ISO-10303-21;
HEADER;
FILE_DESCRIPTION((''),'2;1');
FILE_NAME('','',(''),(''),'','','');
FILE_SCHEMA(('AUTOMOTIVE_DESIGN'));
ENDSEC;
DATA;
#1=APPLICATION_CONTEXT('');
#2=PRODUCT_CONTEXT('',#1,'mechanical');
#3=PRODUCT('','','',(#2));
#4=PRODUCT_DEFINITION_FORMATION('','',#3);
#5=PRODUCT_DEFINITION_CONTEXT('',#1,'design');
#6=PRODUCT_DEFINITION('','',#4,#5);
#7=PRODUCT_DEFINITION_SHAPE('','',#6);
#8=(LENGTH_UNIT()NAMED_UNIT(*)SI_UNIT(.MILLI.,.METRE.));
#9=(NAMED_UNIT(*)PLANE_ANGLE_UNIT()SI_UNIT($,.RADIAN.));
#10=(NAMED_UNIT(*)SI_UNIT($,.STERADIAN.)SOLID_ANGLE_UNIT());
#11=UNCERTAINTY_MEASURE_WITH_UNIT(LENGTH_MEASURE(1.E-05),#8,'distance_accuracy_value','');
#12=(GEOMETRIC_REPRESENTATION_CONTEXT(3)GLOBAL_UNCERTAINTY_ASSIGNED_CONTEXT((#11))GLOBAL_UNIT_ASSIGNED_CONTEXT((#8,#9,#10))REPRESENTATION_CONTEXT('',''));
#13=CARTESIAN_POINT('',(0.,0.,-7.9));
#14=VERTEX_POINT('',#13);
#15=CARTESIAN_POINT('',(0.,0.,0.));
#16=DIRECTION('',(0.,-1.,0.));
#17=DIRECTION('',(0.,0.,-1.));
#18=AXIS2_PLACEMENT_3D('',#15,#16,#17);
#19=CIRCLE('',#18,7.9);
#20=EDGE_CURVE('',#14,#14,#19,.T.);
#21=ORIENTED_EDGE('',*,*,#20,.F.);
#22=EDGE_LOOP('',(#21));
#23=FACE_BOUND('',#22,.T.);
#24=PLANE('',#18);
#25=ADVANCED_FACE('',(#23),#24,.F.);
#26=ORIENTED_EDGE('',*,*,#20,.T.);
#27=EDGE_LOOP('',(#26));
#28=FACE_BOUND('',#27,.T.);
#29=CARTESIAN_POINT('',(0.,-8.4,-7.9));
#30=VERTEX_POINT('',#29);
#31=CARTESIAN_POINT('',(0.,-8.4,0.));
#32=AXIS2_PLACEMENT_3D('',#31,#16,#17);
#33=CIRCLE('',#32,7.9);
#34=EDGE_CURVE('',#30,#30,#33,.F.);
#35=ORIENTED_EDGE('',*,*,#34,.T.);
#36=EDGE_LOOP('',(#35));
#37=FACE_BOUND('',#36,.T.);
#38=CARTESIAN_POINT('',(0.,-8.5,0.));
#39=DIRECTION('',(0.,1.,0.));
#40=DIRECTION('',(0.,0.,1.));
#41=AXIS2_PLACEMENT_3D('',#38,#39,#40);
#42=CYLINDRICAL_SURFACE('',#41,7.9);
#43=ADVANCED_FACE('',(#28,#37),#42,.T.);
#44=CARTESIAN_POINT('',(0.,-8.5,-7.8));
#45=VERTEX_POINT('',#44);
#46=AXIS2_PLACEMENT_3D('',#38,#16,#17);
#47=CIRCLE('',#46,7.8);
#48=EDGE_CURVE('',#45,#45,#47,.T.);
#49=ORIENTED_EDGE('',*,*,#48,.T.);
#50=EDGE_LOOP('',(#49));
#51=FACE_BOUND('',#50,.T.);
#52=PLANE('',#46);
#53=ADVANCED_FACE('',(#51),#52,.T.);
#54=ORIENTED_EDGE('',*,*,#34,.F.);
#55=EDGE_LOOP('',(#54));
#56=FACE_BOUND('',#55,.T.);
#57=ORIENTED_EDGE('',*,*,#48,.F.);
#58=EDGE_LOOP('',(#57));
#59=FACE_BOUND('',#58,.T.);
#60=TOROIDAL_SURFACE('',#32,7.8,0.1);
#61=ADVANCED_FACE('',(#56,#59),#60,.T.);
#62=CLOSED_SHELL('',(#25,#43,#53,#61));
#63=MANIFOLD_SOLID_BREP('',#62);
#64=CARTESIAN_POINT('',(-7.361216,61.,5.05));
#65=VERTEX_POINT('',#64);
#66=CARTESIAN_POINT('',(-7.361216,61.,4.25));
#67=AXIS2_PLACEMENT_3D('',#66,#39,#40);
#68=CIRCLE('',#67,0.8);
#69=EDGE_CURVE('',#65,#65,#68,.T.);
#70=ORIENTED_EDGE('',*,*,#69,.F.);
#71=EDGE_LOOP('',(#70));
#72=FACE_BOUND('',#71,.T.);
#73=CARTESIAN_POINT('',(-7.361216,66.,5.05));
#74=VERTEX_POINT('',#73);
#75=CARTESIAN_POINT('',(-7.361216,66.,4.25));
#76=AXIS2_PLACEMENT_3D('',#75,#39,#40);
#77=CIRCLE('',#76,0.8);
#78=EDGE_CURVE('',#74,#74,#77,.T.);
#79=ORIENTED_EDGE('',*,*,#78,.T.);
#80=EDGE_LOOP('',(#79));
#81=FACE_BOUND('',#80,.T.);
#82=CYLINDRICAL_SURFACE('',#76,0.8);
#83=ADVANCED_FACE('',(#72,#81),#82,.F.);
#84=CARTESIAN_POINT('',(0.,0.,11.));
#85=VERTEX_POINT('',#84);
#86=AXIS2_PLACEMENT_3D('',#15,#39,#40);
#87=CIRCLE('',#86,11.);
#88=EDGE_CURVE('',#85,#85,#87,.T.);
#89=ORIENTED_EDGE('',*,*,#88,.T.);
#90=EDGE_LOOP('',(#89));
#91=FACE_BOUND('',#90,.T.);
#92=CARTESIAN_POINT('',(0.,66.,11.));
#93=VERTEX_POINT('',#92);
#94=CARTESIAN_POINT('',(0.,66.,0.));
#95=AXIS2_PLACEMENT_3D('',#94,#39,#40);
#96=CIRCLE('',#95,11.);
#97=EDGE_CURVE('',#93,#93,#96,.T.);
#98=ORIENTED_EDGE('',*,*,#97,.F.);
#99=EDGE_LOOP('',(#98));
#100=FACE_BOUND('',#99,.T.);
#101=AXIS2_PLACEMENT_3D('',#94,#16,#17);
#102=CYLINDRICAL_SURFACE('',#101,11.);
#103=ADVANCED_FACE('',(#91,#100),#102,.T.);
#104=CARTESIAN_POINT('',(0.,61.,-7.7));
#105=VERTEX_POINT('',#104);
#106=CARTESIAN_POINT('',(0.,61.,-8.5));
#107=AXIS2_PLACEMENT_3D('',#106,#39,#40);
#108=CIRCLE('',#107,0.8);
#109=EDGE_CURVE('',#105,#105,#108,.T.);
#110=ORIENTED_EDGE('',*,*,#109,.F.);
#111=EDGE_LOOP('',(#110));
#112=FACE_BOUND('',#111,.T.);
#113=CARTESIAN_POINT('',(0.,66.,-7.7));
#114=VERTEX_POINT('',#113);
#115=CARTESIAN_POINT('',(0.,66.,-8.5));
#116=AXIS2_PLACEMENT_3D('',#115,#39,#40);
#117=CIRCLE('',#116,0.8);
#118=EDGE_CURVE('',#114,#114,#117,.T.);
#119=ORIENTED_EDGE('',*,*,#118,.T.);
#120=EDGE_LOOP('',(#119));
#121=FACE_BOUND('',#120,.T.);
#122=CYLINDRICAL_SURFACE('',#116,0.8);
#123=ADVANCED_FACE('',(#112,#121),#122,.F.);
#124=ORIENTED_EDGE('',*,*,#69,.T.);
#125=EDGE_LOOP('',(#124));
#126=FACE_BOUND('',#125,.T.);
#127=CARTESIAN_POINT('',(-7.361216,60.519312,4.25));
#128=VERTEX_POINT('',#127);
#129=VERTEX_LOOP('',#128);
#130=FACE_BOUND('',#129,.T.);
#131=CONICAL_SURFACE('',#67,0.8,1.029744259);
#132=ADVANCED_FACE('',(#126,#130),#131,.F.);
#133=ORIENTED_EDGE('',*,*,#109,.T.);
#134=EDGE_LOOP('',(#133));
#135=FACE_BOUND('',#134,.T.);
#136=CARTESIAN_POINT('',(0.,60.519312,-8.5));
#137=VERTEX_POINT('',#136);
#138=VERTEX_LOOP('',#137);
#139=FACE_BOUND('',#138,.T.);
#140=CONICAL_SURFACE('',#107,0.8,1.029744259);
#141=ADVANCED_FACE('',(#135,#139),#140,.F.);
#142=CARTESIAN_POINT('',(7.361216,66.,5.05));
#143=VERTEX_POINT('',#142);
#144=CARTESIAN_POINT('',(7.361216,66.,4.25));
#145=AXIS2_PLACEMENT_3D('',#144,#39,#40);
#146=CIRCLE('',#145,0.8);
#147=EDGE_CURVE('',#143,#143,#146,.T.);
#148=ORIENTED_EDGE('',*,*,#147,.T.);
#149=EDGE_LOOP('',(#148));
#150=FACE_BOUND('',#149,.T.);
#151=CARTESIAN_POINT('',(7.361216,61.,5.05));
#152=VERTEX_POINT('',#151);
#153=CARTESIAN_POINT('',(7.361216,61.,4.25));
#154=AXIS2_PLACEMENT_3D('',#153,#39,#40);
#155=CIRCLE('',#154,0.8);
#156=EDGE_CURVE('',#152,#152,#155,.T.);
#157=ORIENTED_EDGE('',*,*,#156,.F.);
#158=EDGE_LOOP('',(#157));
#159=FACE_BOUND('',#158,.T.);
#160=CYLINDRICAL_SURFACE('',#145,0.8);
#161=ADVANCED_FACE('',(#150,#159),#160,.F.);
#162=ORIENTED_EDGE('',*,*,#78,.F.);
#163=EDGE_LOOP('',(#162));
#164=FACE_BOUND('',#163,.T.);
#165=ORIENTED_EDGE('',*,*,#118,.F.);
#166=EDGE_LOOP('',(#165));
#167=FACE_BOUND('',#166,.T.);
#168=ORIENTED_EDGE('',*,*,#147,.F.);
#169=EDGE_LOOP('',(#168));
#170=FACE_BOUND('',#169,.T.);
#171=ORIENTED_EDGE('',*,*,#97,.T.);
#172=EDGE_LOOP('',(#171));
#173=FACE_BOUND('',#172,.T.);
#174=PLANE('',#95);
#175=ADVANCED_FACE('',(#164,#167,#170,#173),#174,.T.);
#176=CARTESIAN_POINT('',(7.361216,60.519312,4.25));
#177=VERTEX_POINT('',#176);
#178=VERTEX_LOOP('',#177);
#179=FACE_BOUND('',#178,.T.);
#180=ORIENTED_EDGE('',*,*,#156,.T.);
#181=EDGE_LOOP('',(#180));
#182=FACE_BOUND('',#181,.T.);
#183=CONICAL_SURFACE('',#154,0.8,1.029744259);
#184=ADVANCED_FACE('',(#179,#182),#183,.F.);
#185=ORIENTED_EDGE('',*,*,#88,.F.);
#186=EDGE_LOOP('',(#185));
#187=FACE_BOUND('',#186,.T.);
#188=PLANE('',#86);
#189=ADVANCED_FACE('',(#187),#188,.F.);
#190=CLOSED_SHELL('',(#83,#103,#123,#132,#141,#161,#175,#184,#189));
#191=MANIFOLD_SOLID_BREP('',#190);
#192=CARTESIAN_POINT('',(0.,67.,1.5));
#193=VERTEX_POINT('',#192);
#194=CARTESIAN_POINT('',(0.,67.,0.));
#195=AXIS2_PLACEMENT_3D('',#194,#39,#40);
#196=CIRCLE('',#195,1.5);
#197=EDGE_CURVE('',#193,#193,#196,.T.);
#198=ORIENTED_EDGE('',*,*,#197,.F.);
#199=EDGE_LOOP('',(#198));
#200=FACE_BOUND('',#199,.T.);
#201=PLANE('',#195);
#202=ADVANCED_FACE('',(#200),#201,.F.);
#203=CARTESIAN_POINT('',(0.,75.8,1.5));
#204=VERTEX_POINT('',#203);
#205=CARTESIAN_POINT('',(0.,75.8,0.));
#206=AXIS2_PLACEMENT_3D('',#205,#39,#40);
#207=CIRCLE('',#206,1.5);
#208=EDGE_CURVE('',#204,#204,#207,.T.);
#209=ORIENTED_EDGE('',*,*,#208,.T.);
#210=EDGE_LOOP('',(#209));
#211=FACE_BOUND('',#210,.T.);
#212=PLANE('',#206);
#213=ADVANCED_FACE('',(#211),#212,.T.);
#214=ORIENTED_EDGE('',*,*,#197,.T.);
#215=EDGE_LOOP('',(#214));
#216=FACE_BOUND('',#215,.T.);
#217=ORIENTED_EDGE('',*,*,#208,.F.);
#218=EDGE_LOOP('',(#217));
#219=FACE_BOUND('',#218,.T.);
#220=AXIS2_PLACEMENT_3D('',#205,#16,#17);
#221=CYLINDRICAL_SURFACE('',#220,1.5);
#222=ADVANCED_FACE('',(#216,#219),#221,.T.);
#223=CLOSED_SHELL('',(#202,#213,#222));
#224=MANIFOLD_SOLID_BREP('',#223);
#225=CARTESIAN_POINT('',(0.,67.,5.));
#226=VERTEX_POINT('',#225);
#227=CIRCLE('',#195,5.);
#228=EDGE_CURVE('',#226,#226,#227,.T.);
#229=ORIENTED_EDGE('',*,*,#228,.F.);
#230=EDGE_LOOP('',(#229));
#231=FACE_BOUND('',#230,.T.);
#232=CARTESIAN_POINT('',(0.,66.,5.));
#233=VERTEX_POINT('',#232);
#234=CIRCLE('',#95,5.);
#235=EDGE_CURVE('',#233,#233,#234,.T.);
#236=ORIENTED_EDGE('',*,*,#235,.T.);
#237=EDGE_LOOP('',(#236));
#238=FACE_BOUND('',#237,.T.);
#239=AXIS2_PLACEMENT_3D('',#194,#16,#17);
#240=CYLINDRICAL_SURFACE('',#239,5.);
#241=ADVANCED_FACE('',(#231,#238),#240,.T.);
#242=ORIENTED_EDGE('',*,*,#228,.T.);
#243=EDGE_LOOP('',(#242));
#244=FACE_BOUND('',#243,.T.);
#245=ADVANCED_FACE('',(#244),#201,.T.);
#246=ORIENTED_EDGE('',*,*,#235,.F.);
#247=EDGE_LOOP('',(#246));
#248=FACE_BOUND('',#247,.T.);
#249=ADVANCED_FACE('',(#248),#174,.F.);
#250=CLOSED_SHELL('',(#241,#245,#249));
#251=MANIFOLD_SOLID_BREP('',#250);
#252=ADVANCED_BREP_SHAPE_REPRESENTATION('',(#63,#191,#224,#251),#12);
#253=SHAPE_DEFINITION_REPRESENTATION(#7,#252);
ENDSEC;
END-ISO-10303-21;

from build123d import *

# Parameters (mm, degrees)
SKETCH_1_R               = 11
EXTRUDE_1_DEPTH          = 66
SKETCH_2_R               = 5
EXTRUDE_2_DEPTH          = 1
SKETCH_3_R               = 1.5
EXTRUDE_3_DEPTH          = 8.8
SKETCH_4_R               = 7.9
EXTRUDE_4_DEPTH          = 8.5
FILLET_2_R               = 0.1
PATTERN_CIRCULAR_2_COUNT = 3


with BuildPart() as part:
    # 스케치1 → 보스-돌출1 (new body)
    with BuildSketch(Plane(origin=(0, 0, 0), x_dir=(1, 0, 0), z_dir=(0, 1, 0))):
        with Locations(Location((0, 0, 0), (0, 0, 270))):
            Circle(SKETCH_1_R)
    extrude(amount=EXTRUDE_1_DEPTH)

    # 스케치8 → M2 나사 구멍1 (revolve, cut)
    with BuildSketch(Plane(origin=(0, 66, -8.5), x_dir=(0, 0, 1), z_dir=(1, 0, 0))):
        Polygon((0, 0), (0, 5.480688495), (0.8, 5), (0.8, 0), align=None)
    hole_wizard_m2_1 = revolve(axis=Axis((0, 72.35, -8.5), (0, -1, 0)), mode=Mode.SUBTRACT)

    # 원형 패턴2: M2 나사 구멍1 ×3 about axis
    pattern_circular_2_axis = Axis((0, 0, 0), (0, 1, 0))
    for i in range(1, PATTERN_CIRCULAR_2_COUNT):
        add(hole_wizard_m2_1.rotate(pattern_circular_2_axis, i * 360 / PATTERN_CIRCULAR_2_COUNT), mode=Mode.SUBTRACT)


with BuildPart() as body_2:
    # 스케치2 → 보스-돌출2 (new body)
    with BuildSketch(Plane(origin=(0, 66, 0), x_dir=(1, 0, 0), z_dir=(0, 1, 0))):
        with Locations(Location((0, 0, 0), (0, 0, 270))):
            Circle(SKETCH_2_R)
    extrude(amount=EXTRUDE_2_DEPTH)


with BuildPart() as body_3:
    # 스케치3 → 보스-돌출3 (new body)
    with BuildSketch(Plane(origin=(0, 67, 0), x_dir=(1, 0, 0), z_dir=(0, 1, 0))):
        with Locations(Location((0, 0, 0), (0, 0, 270))):
            Circle(SKETCH_3_R)
    extrude(amount=EXTRUDE_3_DEPTH)


with BuildPart() as body_4:
    # 스케치4 → 보스-돌출4 (new body)
    with BuildSketch(Plane.XZ):
        with Locations(Location((0, 0, 0), (0, 0, 270))):
            Circle(SKETCH_4_R)
    extrude(amount=EXTRUDE_4_DEPTH)

    # 필렛2
    fillet_2_edges = [body_4.edges().sort_by_distance(p)[0] for p in [
        (0, -8.5, 7.9),
    ]]
    fillet(fillet_2_edges, radius=FILLET_2_R)


solid = Compound([part.part, body_2.part, body_3.part, body_4.part])
